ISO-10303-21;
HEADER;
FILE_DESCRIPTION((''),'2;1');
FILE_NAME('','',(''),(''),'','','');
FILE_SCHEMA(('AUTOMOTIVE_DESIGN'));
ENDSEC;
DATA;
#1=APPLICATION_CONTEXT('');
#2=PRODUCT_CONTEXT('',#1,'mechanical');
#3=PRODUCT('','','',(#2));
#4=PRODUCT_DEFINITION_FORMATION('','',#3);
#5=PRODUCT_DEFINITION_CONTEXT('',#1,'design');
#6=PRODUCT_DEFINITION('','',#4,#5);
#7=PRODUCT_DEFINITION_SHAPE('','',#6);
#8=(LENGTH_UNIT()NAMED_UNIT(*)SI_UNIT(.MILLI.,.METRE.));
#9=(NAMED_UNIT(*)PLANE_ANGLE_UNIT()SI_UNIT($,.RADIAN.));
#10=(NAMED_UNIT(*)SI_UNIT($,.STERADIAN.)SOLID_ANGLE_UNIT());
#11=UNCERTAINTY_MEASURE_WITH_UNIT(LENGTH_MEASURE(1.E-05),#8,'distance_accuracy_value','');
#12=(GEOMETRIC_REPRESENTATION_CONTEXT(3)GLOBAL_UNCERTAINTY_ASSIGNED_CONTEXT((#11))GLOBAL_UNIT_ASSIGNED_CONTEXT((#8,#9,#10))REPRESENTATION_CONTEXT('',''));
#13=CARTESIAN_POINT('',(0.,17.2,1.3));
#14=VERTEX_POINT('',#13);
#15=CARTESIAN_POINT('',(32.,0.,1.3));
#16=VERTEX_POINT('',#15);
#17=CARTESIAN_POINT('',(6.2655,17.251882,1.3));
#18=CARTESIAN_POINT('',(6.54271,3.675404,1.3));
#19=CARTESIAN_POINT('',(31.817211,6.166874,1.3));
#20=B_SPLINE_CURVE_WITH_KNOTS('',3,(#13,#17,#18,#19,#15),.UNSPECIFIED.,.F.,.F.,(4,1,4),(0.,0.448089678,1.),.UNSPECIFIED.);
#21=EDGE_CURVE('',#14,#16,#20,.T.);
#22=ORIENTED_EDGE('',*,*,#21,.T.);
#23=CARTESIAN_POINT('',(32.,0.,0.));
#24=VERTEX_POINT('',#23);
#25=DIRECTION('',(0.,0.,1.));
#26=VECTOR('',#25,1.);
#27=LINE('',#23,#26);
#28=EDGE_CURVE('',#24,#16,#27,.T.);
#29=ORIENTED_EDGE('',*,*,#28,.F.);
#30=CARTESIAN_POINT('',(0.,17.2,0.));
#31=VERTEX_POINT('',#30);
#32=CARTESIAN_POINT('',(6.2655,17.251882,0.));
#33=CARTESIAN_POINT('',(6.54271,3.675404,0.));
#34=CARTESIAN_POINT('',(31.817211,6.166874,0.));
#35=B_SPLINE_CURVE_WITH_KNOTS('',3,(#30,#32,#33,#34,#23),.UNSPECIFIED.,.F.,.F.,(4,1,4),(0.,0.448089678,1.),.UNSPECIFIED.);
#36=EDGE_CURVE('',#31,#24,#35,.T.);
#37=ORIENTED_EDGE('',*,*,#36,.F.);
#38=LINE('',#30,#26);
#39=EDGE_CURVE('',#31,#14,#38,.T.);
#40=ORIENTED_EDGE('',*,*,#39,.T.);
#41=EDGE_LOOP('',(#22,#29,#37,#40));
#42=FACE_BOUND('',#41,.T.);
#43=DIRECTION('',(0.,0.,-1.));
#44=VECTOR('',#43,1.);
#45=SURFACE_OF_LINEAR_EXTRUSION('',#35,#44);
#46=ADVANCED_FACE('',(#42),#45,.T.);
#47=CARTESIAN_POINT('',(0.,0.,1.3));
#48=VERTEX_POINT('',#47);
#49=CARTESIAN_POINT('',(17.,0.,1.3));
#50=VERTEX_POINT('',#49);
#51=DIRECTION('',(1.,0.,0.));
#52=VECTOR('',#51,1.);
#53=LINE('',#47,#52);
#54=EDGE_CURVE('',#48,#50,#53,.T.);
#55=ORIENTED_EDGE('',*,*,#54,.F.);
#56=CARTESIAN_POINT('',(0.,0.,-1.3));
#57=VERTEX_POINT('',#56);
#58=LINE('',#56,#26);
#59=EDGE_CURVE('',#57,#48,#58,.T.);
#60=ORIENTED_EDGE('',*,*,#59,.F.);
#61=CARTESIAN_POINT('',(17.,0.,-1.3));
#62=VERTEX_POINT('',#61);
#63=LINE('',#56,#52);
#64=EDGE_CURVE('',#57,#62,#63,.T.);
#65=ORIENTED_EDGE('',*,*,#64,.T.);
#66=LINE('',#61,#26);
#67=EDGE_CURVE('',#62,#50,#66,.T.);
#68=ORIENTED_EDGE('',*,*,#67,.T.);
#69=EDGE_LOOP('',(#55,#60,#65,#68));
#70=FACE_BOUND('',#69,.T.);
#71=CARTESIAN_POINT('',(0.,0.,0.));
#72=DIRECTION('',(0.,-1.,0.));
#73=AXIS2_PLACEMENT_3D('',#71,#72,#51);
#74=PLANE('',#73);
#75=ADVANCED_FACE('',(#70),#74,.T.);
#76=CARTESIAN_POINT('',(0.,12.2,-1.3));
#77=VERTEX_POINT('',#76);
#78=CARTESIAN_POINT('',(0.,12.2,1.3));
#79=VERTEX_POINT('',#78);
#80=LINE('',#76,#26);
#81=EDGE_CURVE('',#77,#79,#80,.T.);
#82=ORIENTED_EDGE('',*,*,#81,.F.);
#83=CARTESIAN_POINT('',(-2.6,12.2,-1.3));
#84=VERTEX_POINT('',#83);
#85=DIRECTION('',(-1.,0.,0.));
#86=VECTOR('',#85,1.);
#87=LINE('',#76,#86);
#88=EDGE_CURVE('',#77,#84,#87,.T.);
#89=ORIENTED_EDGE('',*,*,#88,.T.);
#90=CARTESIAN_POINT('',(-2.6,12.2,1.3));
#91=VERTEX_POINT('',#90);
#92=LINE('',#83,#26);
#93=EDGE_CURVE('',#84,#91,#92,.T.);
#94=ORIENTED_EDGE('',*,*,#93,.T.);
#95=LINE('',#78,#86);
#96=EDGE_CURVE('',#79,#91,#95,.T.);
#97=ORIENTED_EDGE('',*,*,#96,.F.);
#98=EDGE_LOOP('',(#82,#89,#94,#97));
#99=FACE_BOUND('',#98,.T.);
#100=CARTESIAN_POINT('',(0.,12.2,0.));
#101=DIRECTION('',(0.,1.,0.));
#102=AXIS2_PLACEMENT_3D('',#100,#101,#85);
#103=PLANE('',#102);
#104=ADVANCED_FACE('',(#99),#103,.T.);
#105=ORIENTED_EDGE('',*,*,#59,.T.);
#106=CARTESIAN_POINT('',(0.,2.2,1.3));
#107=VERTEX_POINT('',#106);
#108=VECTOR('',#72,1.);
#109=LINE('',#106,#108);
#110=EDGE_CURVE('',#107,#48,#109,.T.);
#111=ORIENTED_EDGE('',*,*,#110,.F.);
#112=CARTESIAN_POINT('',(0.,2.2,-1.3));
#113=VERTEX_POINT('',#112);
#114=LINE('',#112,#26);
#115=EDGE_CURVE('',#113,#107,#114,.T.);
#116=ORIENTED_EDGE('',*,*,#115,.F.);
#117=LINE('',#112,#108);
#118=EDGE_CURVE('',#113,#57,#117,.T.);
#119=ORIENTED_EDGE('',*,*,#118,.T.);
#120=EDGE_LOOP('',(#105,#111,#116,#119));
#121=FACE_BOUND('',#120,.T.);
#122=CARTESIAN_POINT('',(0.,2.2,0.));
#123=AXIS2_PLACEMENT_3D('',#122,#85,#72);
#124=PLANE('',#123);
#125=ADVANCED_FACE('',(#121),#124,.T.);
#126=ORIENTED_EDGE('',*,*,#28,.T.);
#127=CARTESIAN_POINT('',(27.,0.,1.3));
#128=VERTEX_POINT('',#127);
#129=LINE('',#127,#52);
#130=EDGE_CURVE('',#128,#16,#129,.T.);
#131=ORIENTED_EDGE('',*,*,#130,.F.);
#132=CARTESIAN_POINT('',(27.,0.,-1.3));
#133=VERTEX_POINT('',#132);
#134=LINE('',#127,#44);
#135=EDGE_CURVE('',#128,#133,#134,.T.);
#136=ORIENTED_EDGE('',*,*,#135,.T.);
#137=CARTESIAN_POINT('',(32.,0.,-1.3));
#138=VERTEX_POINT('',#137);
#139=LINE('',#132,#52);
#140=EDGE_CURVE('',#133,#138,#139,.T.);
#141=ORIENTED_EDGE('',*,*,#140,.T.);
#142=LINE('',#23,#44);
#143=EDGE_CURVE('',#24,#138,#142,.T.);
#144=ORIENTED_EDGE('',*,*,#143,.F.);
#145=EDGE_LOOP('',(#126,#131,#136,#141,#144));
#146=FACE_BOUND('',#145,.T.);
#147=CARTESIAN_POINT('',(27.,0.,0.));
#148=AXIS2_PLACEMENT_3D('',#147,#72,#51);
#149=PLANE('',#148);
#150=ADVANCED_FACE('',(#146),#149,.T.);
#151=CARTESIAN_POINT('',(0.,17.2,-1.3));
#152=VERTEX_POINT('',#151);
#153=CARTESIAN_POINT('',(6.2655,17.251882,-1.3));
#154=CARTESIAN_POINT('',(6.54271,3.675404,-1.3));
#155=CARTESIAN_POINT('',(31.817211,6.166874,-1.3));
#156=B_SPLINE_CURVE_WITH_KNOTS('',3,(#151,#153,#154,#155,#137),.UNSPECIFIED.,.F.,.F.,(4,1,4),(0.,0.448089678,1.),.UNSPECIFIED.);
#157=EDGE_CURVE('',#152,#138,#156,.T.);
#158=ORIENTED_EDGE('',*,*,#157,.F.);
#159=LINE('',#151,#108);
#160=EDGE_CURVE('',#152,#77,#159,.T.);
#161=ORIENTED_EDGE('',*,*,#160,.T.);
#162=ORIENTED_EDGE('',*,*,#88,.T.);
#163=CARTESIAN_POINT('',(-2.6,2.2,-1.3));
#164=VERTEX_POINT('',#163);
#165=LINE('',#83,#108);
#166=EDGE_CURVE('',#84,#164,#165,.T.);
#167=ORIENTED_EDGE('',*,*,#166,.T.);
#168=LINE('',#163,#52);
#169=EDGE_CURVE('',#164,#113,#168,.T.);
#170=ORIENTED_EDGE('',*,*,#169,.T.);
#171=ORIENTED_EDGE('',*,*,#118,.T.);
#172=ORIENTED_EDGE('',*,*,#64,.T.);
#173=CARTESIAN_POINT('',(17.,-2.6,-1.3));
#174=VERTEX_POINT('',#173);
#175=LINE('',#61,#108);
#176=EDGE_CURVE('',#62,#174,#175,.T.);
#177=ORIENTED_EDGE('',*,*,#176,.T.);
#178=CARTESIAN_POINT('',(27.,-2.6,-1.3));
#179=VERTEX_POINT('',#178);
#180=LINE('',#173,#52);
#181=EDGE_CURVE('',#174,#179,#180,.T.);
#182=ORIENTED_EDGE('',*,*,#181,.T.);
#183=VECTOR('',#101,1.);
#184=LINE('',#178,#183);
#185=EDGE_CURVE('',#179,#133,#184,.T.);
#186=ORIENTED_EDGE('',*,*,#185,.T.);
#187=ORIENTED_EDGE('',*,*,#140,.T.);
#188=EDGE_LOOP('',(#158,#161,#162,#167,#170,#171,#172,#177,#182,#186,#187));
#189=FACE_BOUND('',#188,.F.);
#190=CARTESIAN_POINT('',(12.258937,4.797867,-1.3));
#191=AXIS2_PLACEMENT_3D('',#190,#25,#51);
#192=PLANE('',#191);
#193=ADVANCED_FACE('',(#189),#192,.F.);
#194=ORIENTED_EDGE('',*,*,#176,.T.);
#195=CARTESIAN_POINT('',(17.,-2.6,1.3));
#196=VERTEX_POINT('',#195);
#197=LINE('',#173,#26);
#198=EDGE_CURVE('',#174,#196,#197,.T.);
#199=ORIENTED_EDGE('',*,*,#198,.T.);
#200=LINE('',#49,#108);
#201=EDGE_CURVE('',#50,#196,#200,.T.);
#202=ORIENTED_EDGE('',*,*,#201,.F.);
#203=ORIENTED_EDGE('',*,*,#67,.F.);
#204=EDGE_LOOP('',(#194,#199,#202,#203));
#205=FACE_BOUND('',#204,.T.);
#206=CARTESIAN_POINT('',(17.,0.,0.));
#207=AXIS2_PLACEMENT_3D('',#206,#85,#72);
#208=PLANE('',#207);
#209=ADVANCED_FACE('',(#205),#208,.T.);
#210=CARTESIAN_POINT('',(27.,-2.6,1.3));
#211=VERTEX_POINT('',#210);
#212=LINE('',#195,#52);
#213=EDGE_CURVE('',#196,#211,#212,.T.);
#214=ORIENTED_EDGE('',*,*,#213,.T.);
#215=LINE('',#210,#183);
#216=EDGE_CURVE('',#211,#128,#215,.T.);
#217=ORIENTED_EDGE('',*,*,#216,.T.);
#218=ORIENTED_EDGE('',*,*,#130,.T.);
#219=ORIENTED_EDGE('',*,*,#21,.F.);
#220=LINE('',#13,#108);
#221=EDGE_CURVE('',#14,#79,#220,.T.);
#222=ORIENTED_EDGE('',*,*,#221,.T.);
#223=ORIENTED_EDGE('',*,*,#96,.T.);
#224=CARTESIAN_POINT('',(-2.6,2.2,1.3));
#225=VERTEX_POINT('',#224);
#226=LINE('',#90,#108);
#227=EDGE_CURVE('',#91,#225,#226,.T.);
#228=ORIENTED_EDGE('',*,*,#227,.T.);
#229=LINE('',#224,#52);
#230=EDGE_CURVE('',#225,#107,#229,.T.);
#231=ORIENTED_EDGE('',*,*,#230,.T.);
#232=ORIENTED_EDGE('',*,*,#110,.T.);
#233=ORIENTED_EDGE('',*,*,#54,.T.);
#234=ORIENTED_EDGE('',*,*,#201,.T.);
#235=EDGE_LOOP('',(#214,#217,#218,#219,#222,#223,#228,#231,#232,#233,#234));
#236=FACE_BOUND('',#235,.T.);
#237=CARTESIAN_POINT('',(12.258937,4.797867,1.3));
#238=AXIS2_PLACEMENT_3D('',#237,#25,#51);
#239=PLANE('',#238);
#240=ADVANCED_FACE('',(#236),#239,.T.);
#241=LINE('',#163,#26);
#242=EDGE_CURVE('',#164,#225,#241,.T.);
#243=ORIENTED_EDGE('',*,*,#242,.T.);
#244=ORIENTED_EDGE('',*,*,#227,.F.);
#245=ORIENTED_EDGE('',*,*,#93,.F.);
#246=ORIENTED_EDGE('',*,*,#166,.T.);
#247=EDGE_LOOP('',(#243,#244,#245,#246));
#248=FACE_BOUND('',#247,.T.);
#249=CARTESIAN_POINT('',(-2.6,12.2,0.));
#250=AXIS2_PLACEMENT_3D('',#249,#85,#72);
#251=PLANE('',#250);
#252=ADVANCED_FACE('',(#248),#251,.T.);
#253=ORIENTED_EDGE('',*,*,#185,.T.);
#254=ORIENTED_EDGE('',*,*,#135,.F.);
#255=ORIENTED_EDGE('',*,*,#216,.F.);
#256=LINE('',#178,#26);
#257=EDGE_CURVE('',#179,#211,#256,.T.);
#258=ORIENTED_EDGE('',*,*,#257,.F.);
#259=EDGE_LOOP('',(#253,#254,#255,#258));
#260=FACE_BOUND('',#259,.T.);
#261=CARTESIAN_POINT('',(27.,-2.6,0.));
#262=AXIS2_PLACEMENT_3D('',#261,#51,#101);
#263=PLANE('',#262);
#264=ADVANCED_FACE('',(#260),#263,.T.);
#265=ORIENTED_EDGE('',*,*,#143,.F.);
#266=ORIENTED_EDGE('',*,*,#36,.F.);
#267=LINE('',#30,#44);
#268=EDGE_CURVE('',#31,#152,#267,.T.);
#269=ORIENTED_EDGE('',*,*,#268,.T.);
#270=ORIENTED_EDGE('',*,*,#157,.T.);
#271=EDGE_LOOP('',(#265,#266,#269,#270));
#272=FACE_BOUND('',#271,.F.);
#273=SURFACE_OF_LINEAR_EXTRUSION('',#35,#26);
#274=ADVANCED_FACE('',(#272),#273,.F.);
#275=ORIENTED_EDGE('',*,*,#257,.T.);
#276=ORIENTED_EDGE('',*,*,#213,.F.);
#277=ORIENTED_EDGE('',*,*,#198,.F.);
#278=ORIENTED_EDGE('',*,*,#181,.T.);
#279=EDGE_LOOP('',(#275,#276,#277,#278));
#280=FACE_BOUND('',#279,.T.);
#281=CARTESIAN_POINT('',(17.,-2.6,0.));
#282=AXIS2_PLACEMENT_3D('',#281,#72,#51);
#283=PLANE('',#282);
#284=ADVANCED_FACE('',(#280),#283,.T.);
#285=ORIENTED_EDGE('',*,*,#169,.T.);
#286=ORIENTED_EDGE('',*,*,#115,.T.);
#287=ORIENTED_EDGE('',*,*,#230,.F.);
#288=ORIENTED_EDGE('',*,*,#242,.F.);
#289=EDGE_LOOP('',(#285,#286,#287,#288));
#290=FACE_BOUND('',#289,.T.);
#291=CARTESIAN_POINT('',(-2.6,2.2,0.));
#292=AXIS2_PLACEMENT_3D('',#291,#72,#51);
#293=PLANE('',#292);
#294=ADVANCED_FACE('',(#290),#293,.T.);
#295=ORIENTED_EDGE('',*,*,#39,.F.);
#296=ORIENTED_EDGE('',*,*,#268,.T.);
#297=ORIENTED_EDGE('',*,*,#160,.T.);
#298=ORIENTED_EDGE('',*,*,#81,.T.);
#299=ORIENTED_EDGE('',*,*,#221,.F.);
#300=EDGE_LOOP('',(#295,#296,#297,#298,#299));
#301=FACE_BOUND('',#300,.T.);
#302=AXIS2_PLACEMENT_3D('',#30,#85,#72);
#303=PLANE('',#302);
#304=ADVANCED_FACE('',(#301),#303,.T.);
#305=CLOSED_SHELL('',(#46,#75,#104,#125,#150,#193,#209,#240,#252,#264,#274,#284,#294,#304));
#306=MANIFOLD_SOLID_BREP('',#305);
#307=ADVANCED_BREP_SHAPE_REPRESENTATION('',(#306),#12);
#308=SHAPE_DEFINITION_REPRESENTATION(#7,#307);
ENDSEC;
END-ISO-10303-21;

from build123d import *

# Parameters (mm, degrees)
F2_DEPTH      = 1.3
F2_DEPTH_BACK = 1.3


with BuildPart() as f2:
    # F1 (on Top) → F2 (new body, two sides)
    with BuildSketch(Plane.XY) as f2_sk:
        with BuildLine():
            Line((0, 17.2), (0, 12.2))
            Line((0, 12.2), (-2.6, 12.2))
            Line((-2.6, 12.2), (-2.6, 2.2))
            Line((-2.6, 2.2), (0, 2.2))
            Line((0, 2.2), (0, 0))
            Line((0, 0), (17, 0))
            Line((17, 0), (17, -2.6))
            Line((17, -2.6), (27, -2.6))
            Line((27, -2.6), (27, 0))
            Line((27, 0), (32, 0))
            add(Edge.make_bspline(
                [(0, 17.2), (6.2655004368, 17.2518818651), (6.5427098167, 3.6754039317), (31.8172106427, 6.1668737294), (32, 0)],
                knots=[0, 0, 0, 0, 0.4480896782, 1, 1, 1, 1], degree=3))
        make_face()
    extrude(amount=F2_DEPTH)
    extrude(f2_sk.sketch, amount=-F2_DEPTH_BACK)


solid = f2.part
